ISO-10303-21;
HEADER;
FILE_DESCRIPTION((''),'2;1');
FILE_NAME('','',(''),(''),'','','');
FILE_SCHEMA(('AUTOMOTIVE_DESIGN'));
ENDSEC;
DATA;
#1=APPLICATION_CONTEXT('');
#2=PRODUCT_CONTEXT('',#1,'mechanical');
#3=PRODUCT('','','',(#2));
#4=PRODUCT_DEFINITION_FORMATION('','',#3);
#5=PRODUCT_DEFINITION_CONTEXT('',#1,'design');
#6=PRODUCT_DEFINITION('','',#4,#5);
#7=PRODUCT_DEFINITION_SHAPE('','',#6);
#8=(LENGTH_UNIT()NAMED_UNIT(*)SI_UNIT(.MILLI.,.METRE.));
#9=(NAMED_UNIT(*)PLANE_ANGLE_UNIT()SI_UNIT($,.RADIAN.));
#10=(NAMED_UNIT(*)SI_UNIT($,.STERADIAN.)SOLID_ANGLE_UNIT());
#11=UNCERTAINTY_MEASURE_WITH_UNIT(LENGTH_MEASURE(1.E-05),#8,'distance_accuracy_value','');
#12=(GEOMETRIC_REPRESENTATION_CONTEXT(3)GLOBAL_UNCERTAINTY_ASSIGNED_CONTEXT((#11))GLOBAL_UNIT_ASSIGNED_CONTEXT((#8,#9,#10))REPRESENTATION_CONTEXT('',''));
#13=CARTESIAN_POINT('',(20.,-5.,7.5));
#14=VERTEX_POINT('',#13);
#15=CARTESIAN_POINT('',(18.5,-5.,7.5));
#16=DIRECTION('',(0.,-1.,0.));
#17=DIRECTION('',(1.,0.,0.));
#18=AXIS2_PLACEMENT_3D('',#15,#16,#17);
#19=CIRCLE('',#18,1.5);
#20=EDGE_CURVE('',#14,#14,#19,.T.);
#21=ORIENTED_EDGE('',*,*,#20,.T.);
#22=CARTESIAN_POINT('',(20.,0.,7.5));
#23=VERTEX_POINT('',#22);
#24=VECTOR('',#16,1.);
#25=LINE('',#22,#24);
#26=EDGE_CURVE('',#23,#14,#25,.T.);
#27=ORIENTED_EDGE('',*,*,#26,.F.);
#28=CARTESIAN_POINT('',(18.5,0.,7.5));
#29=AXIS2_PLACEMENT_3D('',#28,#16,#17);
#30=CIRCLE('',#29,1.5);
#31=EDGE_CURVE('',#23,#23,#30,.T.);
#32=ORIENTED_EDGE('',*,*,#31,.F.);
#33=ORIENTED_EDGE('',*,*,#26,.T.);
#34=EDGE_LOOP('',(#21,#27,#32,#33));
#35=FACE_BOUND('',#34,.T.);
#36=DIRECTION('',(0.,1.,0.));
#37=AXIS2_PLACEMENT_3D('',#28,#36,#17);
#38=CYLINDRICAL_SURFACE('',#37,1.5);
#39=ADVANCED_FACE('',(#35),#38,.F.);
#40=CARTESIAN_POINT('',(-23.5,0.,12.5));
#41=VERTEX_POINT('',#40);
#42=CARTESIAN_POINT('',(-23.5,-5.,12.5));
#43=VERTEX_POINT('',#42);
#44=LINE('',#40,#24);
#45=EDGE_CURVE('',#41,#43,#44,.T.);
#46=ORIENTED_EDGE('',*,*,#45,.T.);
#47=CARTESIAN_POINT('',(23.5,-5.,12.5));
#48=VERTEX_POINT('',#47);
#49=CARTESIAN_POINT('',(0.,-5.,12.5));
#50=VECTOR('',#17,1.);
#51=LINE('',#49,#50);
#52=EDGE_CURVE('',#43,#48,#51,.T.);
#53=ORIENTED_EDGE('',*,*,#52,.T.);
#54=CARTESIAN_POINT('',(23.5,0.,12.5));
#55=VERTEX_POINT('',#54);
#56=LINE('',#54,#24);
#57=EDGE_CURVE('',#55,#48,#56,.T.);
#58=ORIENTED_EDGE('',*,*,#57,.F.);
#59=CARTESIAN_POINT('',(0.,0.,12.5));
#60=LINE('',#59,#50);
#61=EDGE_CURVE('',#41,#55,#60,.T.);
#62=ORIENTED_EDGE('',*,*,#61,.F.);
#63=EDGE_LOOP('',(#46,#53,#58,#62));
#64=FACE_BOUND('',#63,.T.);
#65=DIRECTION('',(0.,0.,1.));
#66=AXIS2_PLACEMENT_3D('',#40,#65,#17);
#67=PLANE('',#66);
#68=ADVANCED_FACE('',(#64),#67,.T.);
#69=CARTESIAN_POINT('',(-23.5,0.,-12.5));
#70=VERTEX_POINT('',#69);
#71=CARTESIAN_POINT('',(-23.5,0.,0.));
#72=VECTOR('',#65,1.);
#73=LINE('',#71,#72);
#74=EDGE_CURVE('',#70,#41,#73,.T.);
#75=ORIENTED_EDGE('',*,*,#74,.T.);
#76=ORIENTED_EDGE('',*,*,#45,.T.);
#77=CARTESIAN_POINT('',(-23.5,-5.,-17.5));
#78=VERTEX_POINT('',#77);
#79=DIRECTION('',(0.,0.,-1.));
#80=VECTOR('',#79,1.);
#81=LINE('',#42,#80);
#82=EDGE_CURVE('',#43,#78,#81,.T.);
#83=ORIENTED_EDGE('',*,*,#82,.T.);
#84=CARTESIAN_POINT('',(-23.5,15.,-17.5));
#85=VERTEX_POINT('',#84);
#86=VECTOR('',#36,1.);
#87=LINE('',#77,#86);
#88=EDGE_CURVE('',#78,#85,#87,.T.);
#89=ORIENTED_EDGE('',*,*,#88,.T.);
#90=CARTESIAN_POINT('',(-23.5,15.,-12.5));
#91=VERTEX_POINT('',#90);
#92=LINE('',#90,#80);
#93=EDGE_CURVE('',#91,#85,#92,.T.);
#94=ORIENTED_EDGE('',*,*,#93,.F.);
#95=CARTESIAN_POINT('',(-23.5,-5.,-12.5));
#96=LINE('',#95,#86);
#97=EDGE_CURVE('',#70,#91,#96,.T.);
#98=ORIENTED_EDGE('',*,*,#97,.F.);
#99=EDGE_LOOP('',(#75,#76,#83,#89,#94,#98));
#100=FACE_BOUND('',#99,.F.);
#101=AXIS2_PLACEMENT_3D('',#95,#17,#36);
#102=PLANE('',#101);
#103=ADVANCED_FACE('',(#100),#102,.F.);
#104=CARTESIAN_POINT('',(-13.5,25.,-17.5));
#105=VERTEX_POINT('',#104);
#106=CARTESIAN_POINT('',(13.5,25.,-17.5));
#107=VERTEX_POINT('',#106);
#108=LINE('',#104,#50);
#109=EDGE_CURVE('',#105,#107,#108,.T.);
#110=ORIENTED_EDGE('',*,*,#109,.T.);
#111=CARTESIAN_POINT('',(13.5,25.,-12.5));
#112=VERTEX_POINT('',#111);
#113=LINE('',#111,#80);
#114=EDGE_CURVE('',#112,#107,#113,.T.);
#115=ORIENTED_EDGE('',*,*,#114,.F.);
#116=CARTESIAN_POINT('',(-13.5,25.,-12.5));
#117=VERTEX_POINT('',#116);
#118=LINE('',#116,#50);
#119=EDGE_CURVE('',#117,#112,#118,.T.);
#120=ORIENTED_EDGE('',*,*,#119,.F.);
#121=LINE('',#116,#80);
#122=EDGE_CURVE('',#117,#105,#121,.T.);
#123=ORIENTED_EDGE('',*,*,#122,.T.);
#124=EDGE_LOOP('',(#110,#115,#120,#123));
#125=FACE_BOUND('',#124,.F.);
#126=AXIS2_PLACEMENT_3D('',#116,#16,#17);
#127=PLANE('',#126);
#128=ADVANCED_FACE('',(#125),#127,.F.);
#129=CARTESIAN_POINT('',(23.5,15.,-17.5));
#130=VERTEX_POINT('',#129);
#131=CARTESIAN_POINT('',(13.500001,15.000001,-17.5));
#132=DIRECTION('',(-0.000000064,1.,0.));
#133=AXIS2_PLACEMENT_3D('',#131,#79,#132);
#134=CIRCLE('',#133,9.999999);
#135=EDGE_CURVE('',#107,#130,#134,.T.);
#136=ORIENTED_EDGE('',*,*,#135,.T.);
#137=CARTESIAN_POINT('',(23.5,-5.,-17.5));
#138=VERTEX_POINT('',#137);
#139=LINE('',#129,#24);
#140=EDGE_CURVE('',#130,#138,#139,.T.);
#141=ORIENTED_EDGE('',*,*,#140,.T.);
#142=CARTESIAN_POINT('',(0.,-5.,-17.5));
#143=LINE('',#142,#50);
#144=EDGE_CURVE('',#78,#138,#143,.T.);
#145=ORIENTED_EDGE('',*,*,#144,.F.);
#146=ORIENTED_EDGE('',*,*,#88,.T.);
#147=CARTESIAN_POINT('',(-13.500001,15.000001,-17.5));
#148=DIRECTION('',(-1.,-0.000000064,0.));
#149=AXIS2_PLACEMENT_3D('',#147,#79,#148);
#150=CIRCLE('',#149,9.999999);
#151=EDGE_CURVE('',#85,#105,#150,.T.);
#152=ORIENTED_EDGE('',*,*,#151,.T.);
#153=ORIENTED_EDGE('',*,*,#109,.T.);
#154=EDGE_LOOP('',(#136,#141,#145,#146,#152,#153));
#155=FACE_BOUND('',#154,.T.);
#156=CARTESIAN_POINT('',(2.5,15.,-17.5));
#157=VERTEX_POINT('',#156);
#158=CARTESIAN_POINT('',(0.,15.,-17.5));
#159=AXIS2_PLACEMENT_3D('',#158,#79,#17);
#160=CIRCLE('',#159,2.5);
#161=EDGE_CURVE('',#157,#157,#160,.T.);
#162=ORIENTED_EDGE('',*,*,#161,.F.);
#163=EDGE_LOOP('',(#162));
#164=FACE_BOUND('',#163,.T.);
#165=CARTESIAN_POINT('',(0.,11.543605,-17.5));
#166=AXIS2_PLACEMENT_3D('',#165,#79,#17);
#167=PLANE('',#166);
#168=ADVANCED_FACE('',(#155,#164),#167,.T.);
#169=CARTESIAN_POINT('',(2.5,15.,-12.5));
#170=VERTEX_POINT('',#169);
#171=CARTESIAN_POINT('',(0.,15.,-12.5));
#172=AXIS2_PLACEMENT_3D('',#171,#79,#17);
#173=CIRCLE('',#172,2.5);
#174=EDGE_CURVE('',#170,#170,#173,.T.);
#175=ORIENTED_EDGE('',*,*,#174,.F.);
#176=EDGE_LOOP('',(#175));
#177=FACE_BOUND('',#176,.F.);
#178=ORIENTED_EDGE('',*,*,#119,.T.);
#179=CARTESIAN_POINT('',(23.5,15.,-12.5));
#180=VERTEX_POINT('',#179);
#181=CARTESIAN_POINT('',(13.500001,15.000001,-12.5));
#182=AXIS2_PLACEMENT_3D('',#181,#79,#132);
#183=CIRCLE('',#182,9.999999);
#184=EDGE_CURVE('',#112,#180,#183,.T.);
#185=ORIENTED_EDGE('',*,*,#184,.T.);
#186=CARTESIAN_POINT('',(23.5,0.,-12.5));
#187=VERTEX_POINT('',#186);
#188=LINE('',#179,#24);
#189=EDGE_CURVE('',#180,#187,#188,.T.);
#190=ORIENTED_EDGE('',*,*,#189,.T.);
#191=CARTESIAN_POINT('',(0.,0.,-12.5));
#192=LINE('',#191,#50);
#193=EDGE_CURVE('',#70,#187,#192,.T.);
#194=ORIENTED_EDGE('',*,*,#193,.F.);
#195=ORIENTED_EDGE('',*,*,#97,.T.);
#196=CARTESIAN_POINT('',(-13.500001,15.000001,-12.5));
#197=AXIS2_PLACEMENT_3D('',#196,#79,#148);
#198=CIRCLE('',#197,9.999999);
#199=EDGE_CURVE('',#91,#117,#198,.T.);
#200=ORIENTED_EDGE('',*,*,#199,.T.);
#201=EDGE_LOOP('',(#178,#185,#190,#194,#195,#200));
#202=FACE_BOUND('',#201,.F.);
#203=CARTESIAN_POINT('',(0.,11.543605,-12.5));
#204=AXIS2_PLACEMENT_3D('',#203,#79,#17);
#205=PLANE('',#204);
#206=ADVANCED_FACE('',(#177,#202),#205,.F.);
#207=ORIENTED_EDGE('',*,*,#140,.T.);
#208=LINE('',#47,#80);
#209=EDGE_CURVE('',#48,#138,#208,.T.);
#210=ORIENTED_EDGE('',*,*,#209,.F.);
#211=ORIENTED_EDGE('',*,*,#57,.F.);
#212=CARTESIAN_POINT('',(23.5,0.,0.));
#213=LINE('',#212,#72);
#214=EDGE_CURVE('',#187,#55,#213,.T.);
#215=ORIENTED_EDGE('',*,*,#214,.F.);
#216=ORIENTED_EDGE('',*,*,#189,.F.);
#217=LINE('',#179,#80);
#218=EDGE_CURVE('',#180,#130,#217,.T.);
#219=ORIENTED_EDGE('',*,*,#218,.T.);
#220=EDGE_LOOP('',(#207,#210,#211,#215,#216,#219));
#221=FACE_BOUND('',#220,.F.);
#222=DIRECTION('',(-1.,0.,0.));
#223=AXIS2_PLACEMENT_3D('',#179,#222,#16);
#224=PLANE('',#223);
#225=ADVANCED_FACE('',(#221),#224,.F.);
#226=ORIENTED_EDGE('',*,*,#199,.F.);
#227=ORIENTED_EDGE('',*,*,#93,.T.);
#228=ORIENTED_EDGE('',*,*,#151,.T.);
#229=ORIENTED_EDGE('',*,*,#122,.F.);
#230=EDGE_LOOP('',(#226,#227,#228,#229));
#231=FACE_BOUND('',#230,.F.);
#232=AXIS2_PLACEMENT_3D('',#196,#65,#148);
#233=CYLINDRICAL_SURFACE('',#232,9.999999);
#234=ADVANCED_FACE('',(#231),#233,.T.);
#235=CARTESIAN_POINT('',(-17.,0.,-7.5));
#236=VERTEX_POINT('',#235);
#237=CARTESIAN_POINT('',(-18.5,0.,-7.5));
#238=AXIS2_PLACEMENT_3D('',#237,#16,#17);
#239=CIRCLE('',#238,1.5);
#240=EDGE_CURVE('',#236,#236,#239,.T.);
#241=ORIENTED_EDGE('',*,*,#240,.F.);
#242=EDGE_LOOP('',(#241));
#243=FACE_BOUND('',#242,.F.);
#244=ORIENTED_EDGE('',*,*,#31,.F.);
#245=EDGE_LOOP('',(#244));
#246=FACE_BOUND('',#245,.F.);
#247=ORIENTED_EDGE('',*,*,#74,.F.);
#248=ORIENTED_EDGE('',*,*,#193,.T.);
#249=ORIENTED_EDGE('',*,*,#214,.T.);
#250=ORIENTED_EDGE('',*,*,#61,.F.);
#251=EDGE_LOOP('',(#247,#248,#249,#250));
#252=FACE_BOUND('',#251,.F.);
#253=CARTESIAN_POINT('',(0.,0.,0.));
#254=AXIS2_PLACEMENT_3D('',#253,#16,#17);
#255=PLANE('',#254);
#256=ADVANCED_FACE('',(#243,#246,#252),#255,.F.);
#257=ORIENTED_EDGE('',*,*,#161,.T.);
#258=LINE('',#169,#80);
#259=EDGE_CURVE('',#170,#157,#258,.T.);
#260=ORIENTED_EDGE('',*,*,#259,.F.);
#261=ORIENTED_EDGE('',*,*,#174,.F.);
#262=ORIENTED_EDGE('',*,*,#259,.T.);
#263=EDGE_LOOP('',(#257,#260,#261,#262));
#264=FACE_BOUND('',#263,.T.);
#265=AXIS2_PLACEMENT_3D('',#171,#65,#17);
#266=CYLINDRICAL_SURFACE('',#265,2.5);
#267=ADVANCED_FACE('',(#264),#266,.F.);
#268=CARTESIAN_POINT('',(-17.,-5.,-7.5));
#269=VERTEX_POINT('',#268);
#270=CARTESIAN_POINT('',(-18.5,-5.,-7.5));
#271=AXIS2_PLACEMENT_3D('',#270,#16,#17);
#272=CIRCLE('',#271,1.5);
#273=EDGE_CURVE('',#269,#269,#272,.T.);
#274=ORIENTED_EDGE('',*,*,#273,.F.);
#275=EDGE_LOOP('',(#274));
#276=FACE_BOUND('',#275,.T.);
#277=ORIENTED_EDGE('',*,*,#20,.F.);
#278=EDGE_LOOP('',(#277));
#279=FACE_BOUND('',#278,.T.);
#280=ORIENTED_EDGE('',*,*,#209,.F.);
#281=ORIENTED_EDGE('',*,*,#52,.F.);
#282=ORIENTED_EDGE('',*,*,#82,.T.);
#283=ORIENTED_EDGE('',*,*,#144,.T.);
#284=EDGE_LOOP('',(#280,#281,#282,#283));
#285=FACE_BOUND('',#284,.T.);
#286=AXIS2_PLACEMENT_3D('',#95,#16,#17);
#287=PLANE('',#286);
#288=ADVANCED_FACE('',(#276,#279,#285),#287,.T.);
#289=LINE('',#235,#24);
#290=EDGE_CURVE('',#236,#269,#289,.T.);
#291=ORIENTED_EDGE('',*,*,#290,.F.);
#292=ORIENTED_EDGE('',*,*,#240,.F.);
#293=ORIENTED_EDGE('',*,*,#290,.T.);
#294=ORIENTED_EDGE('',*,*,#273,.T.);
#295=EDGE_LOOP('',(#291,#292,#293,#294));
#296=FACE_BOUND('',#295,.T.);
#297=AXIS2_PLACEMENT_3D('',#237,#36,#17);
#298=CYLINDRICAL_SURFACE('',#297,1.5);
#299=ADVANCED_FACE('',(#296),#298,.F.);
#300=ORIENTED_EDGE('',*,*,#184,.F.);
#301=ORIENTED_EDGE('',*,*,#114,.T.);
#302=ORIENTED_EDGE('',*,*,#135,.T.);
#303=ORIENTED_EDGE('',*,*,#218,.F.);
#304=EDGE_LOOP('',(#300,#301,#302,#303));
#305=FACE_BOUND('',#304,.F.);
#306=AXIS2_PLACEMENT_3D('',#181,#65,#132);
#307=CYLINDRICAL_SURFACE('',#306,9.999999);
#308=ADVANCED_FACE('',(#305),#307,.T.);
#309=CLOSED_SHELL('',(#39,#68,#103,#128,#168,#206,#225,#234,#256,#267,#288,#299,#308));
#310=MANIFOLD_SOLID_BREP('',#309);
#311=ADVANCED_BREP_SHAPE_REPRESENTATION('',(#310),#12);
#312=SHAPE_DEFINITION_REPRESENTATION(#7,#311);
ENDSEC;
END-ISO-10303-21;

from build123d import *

# Parameters (mm, degrees)
F0_W     = 47
F0_H     = 25
F0_R     = 1.5
F1_DEPTH = 5
F2_R     = 2.5
F2_W     = 47
F2_H     = 5
F3_DEPTH = 5


with BuildPart() as f1:
    # F0 (on Front) → F1 (new body)
    with BuildSketch(Plane.XZ):
        Rectangle(F0_W, F0_H)
        with Locations((-18.5, -7.5)):
            Circle(F0_R, mode=Mode.SUBTRACT)
        with Locations((18.5, 7.5)):
            Circle(F0_R, mode=Mode.SUBTRACT)
    extrude(amount=F1_DEPTH)

    # F2 (on face) → F3 (join)
    with BuildSketch(Plane(origin=(0, 0, -12.5), x_dir=(1, 0, 0), z_dir=(0, 0, -1))):
        with BuildLine():
            Line((23.5, 0), (-23.5, 0))
            Line((-23.5, 0), (-23.5, -15))
            ThreePointArc((-23.5, -15), (-20.571068, -22.071068), (-13.5, -25))
            Line((-13.5, -25), (13.5, -25))
            ThreePointArc((13.5, -25), (20.571068, -22.071068), (23.5, -15))
            Line((23.5, -15), (23.5, 0))
        make_face()
        with Locations((0, -15)):
            Circle(F2_R, mode=Mode.SUBTRACT)
        with Locations((0, 2.5)):
            Rectangle(F2_W, F2_H)
    extrude(amount=F3_DEPTH)


solid = f1.part
